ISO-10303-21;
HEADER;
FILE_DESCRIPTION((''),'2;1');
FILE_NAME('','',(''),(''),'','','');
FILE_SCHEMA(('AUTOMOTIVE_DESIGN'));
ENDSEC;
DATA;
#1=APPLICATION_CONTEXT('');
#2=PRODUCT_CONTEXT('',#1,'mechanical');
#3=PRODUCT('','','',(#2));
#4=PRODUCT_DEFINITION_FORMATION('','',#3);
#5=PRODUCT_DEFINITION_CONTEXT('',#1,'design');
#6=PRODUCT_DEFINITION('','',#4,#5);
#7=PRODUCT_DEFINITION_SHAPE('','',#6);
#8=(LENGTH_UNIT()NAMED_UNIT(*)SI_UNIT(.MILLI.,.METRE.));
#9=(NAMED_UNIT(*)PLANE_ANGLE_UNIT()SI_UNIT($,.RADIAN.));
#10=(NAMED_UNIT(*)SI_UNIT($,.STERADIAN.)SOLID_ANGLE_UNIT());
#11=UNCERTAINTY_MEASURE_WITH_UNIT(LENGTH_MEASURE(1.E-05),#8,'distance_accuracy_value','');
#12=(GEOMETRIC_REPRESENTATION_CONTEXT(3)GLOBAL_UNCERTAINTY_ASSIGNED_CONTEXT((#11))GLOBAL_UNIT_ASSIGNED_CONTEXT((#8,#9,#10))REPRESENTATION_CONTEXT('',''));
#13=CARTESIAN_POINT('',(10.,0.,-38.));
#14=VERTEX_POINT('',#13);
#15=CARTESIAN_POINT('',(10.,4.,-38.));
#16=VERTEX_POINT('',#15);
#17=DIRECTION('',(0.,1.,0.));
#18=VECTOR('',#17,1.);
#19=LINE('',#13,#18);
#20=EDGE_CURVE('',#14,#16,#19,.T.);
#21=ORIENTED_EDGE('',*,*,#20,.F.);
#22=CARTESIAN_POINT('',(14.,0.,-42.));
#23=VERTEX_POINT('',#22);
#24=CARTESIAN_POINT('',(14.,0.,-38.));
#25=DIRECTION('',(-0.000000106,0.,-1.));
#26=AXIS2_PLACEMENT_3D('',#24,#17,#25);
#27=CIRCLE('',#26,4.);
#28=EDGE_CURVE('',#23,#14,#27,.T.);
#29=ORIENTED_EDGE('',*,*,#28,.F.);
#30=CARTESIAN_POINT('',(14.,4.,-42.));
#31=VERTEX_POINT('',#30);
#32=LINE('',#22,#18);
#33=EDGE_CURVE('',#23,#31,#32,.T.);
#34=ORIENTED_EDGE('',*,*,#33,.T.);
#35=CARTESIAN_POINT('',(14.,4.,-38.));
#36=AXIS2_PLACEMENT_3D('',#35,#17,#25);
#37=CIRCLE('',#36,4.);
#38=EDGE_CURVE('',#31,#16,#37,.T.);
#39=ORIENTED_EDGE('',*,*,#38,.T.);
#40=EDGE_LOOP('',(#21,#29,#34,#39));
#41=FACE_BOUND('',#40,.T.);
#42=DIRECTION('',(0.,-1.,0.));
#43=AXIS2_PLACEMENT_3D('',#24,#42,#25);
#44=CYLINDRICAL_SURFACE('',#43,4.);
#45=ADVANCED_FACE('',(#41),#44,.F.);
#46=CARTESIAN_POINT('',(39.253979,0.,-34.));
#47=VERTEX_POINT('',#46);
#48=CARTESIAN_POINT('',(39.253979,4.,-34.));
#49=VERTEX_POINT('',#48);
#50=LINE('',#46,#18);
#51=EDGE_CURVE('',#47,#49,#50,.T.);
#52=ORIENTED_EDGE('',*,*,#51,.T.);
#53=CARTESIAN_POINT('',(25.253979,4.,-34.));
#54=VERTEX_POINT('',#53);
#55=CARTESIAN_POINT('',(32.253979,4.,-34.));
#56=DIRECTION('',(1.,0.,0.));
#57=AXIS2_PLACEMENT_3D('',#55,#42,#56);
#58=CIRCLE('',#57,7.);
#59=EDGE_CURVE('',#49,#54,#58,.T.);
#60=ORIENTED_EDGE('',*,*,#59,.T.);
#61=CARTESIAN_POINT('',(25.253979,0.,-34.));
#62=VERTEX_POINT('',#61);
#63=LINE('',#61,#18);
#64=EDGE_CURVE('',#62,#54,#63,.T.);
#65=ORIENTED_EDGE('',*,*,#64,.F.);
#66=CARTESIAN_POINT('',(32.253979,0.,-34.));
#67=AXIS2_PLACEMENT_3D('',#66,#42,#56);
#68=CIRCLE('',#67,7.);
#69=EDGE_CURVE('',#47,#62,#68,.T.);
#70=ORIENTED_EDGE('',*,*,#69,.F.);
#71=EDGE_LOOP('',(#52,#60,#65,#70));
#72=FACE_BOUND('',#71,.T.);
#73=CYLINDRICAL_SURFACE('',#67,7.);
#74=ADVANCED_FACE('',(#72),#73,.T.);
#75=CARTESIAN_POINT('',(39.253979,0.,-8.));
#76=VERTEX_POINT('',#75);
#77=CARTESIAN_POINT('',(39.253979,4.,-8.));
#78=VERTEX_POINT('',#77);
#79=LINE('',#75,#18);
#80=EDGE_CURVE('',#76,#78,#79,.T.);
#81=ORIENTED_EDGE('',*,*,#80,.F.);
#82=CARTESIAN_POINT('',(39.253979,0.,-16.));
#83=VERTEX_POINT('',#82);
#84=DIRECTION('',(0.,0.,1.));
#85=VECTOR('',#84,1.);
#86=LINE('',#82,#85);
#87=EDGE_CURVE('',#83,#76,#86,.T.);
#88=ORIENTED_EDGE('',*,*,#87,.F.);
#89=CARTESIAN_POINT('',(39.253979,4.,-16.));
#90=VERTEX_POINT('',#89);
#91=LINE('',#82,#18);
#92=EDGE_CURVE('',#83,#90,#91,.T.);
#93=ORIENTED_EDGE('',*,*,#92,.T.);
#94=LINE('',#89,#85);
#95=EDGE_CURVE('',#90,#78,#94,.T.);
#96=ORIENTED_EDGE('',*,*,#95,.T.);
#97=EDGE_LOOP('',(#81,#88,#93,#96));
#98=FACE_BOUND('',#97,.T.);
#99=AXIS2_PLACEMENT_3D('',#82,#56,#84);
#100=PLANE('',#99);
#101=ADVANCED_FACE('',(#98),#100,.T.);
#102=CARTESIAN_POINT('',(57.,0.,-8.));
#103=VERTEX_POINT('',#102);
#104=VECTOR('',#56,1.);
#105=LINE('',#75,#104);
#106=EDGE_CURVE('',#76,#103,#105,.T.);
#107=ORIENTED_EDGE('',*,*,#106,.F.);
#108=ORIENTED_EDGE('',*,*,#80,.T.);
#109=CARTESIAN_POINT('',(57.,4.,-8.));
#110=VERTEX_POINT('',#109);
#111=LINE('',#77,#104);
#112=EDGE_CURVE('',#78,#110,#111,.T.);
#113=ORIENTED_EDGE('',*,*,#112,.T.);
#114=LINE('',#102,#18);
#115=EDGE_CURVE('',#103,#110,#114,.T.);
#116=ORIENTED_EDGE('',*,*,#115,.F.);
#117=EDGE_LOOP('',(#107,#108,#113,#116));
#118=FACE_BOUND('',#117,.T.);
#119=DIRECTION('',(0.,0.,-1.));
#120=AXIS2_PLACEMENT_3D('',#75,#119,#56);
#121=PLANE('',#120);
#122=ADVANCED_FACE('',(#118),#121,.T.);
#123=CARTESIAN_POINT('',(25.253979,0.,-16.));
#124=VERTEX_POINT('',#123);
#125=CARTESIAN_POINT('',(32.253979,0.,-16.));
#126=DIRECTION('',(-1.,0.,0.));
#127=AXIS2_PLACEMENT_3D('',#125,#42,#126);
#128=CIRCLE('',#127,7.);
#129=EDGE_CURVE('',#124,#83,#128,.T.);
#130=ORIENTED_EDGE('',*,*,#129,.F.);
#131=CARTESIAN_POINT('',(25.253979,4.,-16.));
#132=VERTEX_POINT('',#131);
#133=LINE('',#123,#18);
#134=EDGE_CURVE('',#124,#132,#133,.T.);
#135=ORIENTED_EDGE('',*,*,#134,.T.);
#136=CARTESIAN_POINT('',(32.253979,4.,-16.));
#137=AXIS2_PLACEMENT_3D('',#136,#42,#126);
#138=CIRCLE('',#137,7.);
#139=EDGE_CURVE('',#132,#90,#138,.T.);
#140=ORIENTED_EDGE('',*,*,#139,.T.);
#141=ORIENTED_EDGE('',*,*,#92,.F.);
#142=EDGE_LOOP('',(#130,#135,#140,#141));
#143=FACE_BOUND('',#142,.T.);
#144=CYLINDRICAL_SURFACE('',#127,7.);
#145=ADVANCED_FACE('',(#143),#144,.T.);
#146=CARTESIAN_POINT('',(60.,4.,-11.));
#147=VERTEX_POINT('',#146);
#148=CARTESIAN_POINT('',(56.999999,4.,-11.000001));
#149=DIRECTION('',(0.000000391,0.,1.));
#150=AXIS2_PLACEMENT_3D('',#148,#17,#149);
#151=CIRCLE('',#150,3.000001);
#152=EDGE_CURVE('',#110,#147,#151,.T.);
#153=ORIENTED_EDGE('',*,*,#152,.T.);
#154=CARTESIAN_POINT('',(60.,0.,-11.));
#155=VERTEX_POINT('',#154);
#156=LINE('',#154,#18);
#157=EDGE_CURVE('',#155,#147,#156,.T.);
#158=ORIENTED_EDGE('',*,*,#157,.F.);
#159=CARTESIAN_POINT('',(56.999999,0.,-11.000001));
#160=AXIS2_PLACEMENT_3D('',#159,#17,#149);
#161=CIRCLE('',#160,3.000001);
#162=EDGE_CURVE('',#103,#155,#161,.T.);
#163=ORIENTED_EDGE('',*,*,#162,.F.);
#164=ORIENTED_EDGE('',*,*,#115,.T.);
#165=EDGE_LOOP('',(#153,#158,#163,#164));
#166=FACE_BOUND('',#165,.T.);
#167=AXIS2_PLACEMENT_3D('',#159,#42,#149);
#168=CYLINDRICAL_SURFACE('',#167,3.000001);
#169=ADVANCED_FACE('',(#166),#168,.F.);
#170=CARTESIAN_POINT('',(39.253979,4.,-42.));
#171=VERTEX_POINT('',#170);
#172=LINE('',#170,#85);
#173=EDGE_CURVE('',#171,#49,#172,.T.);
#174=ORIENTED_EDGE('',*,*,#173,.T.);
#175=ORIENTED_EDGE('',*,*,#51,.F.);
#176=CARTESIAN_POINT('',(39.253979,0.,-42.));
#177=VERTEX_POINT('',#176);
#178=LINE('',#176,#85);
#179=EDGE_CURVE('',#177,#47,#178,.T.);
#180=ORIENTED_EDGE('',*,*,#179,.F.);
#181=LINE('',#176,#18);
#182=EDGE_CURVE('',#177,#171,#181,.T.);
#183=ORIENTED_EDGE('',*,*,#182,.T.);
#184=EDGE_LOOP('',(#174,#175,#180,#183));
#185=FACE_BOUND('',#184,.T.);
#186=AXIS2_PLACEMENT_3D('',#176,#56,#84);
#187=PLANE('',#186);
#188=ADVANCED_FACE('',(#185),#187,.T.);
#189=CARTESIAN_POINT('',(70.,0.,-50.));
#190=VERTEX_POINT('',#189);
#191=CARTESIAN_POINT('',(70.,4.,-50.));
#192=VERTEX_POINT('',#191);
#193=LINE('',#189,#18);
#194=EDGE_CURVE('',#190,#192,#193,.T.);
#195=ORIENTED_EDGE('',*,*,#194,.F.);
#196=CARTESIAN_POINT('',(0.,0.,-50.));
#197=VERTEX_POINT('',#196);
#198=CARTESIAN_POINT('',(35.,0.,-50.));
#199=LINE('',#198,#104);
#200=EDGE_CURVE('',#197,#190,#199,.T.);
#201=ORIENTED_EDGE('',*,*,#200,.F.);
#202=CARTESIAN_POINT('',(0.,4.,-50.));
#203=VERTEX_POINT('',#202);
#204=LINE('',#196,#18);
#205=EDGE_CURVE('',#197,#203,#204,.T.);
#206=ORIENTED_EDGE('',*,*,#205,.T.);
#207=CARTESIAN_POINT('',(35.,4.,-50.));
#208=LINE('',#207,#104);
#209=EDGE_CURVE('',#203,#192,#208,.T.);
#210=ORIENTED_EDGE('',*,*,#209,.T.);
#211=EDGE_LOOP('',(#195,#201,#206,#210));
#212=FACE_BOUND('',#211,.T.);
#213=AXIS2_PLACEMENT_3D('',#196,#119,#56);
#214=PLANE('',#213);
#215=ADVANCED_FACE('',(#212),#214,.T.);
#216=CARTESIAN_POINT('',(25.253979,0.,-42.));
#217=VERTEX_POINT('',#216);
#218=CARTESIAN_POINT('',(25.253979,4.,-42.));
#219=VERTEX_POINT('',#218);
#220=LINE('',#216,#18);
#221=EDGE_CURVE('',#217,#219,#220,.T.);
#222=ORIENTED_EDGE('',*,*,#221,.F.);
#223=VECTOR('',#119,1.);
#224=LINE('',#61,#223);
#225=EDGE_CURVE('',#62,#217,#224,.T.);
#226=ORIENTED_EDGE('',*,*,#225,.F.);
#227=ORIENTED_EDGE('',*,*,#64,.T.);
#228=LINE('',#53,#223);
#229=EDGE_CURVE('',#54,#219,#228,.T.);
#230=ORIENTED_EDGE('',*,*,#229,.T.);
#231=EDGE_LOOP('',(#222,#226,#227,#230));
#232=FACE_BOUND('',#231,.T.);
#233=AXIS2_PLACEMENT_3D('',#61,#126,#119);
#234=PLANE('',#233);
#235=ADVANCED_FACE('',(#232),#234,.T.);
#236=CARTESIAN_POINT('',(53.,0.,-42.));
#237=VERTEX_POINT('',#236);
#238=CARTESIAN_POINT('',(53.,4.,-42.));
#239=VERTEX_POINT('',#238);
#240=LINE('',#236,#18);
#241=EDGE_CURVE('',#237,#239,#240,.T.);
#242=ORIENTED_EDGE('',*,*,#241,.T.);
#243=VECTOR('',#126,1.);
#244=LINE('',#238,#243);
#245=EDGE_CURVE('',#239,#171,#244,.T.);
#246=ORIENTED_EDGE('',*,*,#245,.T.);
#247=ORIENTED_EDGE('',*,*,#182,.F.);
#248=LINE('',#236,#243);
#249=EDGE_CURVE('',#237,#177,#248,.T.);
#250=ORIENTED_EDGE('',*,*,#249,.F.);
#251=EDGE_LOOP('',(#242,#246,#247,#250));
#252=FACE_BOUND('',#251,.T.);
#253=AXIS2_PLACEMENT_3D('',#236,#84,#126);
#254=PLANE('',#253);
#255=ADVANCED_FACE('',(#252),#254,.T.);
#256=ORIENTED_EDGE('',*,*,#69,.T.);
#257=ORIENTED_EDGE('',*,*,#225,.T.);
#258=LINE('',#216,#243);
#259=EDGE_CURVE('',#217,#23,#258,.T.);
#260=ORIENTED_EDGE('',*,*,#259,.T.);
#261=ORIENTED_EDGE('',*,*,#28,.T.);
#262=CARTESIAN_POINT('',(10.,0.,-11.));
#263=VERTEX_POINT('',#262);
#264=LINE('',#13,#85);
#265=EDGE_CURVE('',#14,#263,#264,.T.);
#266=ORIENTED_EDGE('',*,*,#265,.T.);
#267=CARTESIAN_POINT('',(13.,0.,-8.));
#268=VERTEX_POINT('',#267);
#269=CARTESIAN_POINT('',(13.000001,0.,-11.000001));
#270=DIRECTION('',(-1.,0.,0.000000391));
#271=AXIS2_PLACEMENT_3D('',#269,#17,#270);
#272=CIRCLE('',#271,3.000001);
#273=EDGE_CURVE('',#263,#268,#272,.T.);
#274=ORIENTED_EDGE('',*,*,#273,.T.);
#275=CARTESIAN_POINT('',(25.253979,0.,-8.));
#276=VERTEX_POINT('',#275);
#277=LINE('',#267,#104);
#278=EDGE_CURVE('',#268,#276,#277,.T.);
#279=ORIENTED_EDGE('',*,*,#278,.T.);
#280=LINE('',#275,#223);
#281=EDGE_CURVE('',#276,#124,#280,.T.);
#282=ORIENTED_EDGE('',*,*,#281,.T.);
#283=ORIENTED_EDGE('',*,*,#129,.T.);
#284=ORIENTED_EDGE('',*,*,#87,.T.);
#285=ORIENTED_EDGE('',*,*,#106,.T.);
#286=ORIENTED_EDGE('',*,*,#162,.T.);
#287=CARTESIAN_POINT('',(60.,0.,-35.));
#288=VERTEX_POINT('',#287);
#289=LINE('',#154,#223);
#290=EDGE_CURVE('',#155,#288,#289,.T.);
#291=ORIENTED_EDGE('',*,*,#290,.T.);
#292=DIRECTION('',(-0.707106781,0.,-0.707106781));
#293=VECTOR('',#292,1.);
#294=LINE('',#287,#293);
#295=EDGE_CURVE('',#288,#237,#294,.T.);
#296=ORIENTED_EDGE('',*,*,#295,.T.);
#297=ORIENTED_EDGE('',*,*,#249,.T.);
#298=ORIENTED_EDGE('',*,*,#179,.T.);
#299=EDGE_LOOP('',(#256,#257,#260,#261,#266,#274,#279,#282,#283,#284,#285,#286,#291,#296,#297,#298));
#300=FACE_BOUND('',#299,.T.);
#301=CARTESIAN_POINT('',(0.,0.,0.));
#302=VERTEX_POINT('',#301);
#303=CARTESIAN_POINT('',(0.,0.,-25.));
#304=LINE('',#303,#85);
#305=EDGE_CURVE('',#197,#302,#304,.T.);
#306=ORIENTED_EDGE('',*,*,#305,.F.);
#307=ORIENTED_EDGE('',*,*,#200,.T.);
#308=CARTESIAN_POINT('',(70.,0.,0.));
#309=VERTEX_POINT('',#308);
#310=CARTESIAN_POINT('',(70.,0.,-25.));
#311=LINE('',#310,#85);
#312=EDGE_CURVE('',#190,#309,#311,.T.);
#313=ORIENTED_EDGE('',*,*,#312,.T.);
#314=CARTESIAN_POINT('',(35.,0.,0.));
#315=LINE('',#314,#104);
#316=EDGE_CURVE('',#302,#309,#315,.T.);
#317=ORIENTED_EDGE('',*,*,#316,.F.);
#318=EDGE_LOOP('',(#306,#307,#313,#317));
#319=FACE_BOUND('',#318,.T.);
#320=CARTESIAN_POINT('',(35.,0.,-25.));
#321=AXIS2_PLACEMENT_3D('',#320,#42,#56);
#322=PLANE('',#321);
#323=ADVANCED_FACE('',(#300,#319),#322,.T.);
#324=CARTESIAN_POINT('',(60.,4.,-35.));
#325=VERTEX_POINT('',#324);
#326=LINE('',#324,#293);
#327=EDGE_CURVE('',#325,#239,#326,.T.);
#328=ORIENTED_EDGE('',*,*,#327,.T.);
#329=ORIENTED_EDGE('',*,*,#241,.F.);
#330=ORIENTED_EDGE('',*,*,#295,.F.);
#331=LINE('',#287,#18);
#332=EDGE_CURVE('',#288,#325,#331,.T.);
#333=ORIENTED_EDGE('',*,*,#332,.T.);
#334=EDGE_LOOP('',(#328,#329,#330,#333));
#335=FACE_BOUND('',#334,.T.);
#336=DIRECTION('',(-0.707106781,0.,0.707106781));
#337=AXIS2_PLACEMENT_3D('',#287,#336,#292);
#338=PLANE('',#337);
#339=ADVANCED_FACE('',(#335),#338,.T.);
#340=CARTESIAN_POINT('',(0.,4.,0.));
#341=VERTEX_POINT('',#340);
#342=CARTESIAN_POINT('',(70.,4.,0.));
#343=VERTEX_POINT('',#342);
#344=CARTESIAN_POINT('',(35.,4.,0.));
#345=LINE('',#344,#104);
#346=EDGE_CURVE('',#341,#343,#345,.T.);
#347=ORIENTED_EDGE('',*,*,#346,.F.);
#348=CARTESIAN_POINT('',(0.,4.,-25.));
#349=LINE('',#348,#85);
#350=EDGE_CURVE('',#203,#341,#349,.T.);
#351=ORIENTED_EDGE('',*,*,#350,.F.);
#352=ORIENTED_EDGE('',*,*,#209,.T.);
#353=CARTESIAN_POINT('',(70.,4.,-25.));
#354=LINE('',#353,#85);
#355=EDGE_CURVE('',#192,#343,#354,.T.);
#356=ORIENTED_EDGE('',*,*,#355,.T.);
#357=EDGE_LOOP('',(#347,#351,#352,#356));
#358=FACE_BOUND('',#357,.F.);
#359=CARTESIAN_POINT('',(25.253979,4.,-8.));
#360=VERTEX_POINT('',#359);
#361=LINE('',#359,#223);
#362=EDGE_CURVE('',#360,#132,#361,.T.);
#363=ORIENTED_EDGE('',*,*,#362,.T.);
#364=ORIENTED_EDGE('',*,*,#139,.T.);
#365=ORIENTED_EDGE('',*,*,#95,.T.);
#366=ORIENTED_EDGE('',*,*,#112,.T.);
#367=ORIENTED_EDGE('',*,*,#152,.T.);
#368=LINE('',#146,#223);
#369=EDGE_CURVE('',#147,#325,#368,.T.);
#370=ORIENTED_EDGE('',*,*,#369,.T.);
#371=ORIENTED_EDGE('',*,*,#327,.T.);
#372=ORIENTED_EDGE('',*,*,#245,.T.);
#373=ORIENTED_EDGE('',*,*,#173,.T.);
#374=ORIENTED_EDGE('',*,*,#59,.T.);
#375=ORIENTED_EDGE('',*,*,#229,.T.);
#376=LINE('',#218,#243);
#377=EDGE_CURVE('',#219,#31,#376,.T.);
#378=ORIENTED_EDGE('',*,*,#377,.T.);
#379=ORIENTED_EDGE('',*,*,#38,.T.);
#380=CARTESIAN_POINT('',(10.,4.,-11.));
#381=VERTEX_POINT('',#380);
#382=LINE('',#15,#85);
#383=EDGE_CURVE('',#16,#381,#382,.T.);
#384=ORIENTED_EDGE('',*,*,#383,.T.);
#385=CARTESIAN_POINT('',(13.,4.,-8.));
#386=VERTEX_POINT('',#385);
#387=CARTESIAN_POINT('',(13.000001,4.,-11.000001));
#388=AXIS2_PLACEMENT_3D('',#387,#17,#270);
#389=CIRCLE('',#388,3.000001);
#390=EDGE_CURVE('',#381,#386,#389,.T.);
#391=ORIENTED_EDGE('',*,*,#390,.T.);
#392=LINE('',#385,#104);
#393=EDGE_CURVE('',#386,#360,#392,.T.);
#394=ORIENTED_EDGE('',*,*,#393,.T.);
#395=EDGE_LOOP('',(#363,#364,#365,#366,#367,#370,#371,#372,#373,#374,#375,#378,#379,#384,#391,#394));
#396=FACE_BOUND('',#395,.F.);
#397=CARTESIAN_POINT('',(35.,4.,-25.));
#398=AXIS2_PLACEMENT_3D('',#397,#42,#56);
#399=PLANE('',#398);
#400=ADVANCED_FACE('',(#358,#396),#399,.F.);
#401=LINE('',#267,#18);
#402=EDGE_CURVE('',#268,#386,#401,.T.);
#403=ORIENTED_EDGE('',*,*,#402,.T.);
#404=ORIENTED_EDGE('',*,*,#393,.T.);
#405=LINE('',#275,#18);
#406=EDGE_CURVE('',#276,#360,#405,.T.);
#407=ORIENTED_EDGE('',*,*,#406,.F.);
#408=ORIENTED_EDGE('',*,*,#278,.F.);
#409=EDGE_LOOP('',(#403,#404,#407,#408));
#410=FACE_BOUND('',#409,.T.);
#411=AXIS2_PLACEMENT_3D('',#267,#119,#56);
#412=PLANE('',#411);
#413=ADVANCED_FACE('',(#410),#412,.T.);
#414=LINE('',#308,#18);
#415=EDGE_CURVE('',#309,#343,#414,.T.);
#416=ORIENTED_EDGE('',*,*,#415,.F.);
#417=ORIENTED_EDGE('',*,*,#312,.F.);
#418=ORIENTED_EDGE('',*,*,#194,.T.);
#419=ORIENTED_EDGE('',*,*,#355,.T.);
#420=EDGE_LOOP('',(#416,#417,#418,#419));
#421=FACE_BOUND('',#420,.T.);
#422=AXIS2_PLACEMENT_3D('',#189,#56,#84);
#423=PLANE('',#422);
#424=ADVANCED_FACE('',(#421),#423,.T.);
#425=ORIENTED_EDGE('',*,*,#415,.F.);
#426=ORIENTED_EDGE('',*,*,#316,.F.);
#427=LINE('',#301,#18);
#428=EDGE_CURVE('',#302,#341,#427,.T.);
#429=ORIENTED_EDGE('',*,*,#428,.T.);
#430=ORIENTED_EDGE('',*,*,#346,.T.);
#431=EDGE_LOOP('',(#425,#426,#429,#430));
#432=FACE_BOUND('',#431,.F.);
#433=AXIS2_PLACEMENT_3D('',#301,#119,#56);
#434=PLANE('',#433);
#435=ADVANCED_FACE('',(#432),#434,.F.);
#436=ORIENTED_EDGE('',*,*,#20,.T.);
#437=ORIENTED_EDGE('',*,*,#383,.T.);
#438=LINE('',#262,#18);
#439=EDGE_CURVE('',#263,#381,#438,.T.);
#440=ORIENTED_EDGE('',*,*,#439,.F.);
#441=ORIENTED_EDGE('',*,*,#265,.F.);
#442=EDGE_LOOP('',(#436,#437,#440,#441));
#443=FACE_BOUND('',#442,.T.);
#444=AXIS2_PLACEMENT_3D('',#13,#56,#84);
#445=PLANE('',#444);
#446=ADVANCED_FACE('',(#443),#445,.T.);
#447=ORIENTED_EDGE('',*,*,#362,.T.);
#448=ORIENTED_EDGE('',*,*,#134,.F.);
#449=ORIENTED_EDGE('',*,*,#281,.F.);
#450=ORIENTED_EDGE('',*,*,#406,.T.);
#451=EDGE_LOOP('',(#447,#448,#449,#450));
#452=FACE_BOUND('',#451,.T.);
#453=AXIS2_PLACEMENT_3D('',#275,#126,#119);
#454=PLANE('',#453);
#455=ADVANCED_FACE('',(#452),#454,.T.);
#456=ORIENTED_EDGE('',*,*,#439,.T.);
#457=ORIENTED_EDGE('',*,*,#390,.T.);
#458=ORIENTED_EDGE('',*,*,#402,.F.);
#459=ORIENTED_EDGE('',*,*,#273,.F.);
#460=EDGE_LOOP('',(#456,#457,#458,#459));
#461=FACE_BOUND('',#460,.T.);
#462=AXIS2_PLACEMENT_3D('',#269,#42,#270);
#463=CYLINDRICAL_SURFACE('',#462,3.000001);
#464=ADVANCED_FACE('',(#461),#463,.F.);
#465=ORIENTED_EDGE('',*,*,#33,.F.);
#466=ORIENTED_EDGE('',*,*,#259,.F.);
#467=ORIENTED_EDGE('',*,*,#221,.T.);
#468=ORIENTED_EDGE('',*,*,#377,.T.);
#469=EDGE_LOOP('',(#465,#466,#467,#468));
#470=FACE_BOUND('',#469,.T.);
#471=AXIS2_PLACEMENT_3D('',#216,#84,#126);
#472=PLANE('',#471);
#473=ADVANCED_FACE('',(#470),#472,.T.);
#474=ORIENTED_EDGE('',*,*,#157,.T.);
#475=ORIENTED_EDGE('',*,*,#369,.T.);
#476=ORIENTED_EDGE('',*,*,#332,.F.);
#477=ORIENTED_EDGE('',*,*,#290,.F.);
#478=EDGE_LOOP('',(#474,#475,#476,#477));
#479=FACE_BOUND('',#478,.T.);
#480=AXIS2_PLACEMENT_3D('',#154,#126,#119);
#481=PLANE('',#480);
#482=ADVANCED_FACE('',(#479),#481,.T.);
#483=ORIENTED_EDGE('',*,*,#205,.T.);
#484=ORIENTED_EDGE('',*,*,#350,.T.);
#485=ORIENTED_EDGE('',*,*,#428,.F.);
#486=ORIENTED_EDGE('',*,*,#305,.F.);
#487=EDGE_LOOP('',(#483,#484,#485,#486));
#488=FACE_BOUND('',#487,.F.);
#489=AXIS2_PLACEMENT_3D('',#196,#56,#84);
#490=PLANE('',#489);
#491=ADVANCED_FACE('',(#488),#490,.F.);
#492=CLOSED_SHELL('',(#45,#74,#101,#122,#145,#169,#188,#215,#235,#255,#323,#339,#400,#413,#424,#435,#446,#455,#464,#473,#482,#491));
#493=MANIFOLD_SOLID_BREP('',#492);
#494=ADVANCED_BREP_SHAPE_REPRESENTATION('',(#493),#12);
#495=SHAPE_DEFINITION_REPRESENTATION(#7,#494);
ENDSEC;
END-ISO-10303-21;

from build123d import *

# Parameters (mm, degrees)
F0_W     = 70
F0_H     = 50
F1_DEPTH = 4


with BuildPart() as f1:
    # F0 (on Front) → F1 (new body)
    with BuildSketch(Plane.XZ):
        with Locations((35, -25)):
            Rectangle(F0_W, F0_H)
        with BuildLine():
            ThreePointArc((10, -11), (10.87868, -8.87868), (13, -8))
            Line((13, -8), (25.253979, -8))
            Line((25.253979, -8), (25.253979, -16))
            ThreePointArc((25.253979, -16), (32.253979, -23), (39.253979, -16))
            Line((39.253979, -16), (39.253979, -8))
            Line((39.253979, -8), (57, -8))
            ThreePointArc((57, -8), (59.12132, -8.87868), (60, -11))
            Line((60, -11), (60, -35))
            Line((60, -35), (53, -42))
            Line((53, -42), (39.253979, -42))
            Line((39.253979, -42), (39.253979, -34))
            ThreePointArc((39.253979, -34), (32.253979, -27), (25.253979, -34))
            Line((25.253979, -34), (25.253979, -42))
            Line((25.253979, -42), (14, -42))
            ThreePointArc((14, -42), (11.171573, -40.828427), (10, -38))
            Line((10, -38), (10, -11))
        make_face(mode=Mode.SUBTRACT)
    extrude(amount=-F1_DEPTH)


solid = f1.part
